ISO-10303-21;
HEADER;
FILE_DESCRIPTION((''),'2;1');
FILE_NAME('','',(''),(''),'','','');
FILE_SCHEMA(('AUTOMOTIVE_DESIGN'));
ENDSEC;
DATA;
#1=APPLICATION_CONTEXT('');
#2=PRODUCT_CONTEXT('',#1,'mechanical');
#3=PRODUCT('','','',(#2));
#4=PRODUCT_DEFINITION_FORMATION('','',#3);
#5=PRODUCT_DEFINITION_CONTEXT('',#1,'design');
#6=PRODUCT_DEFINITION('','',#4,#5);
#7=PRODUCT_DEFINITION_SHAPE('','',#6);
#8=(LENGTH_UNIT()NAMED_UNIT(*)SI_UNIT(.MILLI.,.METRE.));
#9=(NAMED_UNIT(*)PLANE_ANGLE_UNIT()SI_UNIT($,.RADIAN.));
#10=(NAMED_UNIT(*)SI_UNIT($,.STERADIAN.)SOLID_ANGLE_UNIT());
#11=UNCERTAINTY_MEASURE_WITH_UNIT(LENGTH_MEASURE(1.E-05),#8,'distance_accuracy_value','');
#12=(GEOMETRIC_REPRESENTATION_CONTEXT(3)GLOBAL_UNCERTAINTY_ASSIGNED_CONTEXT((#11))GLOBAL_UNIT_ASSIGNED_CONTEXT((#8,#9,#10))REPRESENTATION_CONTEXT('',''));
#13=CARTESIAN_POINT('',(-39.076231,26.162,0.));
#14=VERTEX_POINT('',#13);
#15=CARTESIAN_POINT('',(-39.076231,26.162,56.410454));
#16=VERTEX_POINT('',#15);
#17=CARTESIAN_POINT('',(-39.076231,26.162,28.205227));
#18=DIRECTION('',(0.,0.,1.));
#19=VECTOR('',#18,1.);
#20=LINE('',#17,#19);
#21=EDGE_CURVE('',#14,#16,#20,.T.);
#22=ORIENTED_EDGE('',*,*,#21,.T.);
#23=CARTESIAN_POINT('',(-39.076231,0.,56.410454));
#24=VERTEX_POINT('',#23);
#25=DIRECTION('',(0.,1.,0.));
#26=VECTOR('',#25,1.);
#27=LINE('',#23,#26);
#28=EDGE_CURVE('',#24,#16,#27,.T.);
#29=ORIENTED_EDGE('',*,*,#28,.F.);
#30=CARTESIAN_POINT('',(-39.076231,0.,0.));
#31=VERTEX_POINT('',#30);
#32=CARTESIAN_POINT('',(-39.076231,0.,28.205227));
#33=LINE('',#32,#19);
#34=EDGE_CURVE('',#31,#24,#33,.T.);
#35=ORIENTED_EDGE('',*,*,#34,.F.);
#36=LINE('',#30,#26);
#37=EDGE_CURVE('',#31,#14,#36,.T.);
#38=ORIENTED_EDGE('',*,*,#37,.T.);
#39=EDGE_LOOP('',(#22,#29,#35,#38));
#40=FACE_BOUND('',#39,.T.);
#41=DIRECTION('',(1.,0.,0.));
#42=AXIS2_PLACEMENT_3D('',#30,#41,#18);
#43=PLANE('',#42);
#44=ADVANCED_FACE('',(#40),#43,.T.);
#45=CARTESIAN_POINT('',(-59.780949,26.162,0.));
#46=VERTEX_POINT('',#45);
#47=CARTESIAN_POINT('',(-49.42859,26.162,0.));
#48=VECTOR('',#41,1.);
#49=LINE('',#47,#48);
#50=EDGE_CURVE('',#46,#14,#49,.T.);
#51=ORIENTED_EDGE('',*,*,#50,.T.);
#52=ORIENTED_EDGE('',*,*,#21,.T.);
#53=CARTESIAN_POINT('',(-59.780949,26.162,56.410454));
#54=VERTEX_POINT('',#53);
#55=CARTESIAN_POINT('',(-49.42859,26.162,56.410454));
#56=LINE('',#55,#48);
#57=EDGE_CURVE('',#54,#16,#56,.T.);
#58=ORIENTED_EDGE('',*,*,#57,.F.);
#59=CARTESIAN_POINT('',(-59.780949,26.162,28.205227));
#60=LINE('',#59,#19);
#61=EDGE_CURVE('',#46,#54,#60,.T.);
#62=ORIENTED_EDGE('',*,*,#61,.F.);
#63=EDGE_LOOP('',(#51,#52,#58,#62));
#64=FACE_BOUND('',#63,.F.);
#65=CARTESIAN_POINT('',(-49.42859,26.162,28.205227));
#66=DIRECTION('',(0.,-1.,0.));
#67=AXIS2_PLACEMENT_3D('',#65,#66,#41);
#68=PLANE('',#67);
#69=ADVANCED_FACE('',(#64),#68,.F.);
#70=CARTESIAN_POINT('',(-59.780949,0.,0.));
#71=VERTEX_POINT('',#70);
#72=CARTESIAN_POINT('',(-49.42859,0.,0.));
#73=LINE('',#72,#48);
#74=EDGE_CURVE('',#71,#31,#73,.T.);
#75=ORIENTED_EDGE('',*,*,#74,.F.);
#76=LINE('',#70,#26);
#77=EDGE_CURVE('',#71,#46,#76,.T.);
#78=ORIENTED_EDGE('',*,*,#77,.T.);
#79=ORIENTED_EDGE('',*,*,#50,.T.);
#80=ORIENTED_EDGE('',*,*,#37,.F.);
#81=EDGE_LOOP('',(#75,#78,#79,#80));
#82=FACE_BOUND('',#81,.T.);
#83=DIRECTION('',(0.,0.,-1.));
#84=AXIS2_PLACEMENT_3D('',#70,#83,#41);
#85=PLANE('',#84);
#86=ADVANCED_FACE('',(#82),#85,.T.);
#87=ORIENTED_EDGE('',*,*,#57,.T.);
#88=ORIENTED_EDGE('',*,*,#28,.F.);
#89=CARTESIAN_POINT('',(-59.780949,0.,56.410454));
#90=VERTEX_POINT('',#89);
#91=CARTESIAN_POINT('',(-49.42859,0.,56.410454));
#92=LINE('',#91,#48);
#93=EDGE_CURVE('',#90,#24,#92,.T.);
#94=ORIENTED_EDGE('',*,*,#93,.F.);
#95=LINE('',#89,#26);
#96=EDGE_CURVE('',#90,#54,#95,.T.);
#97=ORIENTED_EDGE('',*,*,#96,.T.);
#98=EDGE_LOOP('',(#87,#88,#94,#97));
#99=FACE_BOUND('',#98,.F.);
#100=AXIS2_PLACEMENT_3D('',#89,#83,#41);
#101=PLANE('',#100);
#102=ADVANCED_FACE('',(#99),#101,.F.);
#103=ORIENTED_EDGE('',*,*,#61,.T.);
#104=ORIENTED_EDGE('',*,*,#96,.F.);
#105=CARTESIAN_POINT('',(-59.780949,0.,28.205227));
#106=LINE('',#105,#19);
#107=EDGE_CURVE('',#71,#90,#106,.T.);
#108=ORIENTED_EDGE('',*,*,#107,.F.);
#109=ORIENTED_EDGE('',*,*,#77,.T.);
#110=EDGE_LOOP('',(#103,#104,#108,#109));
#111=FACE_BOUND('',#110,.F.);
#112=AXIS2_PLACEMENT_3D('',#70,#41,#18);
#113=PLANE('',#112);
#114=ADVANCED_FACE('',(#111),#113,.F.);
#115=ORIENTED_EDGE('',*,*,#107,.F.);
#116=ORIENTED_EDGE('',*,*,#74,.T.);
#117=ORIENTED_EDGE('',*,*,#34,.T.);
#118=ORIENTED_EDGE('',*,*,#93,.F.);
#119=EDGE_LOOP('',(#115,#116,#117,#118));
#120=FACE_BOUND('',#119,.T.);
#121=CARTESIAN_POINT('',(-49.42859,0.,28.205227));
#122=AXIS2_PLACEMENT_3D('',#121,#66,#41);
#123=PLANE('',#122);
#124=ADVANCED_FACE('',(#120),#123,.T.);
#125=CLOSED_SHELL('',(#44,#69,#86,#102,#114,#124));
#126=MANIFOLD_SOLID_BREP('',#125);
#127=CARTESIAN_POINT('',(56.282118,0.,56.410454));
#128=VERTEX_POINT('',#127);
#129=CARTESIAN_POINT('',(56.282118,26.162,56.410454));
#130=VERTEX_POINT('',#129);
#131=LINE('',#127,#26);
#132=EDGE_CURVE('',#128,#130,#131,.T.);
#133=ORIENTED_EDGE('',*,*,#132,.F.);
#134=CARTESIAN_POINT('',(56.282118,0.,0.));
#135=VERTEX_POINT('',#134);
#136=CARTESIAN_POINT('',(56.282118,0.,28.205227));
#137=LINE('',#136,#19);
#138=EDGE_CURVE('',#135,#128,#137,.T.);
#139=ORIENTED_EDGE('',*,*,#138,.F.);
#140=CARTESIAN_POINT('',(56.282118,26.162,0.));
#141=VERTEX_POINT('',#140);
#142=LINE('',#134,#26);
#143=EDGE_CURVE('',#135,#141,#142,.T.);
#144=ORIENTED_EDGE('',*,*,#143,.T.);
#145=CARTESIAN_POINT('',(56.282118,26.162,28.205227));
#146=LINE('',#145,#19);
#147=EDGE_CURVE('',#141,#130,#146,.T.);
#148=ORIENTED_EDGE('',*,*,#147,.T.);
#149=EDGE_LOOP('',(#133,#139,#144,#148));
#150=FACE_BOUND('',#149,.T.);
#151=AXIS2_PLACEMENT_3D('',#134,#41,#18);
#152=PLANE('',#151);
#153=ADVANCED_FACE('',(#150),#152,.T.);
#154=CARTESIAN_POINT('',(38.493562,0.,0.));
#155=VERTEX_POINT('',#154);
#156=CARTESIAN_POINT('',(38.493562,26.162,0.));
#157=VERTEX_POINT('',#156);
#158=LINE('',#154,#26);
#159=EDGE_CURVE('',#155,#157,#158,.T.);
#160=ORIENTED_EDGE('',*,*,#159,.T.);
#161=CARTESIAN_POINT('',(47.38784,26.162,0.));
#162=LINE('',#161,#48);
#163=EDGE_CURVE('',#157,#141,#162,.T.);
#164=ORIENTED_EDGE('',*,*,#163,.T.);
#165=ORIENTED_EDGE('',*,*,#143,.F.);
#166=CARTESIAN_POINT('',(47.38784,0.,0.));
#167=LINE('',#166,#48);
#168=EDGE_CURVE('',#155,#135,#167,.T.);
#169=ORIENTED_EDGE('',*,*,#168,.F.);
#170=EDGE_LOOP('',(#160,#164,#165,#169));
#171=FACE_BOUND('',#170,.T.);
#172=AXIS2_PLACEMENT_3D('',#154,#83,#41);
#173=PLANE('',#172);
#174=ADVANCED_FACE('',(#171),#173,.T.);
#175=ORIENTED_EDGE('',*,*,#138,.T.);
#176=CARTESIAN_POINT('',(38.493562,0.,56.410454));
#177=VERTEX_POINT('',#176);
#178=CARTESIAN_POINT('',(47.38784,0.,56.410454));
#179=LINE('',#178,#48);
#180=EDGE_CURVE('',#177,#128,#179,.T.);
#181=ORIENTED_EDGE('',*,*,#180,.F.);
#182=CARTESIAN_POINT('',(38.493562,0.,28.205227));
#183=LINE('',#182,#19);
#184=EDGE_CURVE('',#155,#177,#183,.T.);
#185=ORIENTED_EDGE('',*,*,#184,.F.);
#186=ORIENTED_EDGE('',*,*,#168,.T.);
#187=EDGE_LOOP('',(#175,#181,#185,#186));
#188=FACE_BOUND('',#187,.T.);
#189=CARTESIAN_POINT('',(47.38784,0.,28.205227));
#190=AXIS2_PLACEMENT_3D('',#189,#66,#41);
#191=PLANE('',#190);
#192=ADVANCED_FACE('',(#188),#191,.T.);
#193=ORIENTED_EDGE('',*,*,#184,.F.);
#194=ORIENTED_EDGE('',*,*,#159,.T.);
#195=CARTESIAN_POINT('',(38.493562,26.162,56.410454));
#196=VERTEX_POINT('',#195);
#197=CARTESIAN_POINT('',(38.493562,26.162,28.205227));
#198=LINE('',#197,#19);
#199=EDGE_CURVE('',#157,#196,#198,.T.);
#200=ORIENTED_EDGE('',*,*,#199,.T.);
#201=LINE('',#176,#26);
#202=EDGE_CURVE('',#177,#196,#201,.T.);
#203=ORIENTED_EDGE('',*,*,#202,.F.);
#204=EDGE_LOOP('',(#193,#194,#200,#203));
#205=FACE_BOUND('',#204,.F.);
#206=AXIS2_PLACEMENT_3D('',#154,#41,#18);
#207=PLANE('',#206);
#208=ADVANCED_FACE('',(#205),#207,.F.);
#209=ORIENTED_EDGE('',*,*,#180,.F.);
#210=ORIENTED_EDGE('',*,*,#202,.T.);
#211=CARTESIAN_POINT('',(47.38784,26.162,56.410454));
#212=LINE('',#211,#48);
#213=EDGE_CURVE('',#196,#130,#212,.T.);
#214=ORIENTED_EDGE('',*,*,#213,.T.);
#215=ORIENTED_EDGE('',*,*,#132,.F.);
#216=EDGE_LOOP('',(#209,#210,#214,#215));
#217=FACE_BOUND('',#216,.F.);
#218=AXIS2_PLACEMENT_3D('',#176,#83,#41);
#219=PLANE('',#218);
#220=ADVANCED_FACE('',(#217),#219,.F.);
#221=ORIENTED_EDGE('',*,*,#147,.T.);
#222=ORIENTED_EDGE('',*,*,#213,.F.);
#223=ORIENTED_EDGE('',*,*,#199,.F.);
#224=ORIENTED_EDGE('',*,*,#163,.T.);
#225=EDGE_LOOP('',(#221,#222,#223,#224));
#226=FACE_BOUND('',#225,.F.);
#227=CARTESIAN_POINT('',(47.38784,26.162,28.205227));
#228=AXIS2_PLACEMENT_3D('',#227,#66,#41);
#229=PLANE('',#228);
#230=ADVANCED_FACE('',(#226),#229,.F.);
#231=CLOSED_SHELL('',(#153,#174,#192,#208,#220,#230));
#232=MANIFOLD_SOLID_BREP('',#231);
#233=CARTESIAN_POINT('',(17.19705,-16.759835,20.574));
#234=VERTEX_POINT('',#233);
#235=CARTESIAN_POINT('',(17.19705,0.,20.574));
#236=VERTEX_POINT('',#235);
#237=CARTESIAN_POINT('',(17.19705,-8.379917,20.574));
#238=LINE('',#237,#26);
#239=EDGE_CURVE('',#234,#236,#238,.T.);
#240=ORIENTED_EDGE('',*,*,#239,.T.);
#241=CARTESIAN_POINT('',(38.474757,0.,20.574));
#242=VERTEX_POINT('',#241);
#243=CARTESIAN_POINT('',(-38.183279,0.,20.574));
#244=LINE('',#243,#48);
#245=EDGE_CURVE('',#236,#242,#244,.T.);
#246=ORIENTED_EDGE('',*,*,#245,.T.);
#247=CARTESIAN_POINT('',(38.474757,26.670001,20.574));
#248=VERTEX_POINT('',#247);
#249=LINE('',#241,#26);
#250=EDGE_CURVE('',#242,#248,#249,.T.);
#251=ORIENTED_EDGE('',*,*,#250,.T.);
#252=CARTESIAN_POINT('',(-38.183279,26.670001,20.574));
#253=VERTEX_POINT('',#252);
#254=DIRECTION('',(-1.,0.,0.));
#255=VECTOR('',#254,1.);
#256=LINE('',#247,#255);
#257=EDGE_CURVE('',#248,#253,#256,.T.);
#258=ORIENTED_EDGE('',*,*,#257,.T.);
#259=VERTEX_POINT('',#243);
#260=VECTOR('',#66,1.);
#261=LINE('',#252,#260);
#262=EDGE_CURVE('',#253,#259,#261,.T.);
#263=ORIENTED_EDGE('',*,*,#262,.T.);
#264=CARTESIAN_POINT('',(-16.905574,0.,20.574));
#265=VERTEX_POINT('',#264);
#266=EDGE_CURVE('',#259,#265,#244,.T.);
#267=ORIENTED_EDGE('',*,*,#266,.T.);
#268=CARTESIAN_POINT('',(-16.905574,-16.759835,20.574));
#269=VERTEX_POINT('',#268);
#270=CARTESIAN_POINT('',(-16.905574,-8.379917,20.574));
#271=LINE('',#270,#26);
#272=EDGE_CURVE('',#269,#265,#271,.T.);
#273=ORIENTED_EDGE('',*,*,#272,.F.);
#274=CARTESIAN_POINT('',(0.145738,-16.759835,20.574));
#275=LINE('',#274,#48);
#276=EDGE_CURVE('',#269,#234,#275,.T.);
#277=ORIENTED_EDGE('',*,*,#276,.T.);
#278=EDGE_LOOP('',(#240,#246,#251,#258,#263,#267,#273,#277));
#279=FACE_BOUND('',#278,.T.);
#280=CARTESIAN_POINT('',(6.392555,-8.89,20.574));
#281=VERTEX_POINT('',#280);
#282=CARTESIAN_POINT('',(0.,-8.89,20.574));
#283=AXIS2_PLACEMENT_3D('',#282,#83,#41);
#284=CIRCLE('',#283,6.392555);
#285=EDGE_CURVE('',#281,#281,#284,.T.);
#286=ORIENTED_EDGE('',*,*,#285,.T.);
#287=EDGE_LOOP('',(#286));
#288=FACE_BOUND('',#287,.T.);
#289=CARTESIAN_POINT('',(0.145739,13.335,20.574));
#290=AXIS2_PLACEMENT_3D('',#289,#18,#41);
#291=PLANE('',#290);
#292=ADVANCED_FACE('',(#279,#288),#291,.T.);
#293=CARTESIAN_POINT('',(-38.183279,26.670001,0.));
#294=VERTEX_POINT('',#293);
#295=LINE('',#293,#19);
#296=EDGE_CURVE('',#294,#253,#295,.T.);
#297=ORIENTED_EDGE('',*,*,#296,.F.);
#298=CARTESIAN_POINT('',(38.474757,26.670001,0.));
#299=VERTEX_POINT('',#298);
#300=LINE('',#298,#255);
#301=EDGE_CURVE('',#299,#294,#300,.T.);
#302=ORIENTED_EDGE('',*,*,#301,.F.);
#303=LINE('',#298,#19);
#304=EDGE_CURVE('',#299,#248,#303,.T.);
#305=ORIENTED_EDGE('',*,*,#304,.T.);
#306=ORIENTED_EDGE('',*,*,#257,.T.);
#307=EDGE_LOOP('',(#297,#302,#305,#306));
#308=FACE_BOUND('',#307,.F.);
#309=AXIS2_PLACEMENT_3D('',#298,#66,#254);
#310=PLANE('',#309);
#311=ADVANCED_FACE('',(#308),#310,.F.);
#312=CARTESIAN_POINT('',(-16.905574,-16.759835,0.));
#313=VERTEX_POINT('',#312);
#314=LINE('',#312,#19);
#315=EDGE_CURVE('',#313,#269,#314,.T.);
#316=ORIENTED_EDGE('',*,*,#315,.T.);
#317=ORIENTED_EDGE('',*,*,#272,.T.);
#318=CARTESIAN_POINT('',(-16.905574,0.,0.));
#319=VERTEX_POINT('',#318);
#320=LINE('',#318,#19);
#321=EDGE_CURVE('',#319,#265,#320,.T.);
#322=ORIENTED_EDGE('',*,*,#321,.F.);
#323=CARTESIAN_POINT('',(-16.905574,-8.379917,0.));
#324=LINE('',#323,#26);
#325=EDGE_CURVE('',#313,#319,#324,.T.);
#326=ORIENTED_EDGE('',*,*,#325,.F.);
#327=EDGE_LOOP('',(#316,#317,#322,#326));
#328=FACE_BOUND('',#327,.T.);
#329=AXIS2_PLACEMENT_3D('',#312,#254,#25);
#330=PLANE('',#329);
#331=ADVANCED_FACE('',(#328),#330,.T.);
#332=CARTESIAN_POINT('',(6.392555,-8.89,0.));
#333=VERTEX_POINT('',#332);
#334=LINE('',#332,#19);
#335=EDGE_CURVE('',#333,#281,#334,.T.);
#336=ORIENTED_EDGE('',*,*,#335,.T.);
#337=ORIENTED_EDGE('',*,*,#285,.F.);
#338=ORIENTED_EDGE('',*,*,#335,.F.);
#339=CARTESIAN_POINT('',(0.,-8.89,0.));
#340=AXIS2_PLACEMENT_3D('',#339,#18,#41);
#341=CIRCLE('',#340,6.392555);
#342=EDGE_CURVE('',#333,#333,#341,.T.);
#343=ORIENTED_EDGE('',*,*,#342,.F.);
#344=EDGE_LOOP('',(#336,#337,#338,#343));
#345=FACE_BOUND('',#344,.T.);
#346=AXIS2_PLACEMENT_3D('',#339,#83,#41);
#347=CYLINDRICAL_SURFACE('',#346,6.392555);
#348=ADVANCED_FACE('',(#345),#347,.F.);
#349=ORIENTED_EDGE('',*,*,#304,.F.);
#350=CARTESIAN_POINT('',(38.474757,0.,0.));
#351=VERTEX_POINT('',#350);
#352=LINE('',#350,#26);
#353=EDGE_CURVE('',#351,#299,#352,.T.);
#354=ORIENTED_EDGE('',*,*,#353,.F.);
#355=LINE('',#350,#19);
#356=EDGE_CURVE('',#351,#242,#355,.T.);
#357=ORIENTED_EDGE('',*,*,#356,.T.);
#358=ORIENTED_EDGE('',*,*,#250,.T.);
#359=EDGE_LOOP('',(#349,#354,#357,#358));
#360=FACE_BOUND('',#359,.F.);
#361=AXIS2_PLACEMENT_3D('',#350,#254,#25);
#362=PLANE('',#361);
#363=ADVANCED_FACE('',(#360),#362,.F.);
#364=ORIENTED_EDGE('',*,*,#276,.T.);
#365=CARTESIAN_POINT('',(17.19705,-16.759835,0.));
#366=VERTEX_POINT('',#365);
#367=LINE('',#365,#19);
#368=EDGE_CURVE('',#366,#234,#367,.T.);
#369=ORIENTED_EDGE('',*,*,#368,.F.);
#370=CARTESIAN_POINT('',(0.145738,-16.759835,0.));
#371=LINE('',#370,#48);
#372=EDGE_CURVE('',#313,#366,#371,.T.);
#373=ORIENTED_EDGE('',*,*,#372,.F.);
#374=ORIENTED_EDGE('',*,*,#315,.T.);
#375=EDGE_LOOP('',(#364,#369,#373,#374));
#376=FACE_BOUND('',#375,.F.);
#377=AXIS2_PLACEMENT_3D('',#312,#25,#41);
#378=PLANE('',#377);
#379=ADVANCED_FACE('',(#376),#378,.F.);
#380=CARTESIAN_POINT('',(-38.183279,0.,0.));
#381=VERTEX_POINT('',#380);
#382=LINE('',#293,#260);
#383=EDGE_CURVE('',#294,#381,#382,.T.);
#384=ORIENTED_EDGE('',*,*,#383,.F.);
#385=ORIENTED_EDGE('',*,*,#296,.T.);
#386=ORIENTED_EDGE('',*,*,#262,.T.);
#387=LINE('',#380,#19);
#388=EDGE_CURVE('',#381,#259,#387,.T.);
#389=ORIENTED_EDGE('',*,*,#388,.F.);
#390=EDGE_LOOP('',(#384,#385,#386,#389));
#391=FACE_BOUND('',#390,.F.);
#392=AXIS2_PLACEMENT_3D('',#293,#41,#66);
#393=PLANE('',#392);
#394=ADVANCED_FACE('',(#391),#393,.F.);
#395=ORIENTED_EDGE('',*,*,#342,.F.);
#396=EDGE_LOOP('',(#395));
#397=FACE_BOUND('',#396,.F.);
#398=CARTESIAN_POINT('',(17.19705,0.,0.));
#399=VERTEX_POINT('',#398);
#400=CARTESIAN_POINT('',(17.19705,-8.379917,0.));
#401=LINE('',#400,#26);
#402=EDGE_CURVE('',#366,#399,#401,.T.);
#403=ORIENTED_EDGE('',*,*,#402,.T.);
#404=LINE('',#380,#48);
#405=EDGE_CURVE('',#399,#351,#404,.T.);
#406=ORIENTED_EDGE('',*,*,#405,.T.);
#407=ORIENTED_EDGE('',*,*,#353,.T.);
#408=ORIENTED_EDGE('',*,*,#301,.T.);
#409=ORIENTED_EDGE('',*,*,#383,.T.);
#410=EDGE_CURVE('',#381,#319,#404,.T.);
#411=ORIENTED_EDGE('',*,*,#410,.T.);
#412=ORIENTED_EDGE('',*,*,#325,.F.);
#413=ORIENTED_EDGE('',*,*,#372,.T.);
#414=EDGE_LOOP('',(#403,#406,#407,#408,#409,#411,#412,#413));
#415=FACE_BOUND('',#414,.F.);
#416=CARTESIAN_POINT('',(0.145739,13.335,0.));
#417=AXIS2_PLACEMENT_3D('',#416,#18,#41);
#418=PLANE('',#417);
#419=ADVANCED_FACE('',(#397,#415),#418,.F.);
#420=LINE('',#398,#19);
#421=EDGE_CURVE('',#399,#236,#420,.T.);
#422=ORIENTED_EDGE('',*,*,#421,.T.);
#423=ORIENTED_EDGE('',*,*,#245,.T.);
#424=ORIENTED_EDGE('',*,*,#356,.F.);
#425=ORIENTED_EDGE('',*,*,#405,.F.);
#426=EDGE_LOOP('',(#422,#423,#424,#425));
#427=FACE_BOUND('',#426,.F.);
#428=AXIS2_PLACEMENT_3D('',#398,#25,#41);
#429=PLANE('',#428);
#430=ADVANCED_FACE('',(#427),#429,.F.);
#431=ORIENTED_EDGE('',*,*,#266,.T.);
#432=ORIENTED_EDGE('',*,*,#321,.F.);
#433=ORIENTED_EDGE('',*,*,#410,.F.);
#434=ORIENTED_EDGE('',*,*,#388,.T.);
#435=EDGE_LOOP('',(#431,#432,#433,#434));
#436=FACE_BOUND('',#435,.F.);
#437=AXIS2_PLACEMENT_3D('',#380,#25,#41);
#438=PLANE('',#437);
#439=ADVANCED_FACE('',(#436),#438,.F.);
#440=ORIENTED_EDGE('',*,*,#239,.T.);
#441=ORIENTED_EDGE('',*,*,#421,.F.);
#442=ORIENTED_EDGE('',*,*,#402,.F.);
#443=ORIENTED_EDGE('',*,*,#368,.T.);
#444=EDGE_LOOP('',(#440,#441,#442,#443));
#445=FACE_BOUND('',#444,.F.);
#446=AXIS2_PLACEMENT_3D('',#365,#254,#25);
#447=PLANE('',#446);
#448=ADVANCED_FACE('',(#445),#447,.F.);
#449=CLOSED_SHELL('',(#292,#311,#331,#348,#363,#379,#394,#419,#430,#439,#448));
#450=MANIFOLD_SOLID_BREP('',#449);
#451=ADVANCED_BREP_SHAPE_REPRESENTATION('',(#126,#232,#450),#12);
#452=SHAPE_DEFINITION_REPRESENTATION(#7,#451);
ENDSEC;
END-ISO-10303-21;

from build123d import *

# Parameters (mm, degrees)
F0_W     = 34.102624
F0_H     = 16.759835
F1_DEPTH = 20.574
F2_W     = 20.704717
F2_H     = 56.410454
F2_W_2   = 17.788556
F3_DEPTH = 26.162
F4_R     = 6.392555
F5_DEPTH = 70.358


with BuildPart() as f1:
    # F0 (on Top) → F1 (new body)
    with BuildSketch(Plane.XY):
        Polygon((-38.183279, 0), (-16.905574, 0), (17.19705, 0), (38.474757, 0), (38.474757, 26.670001), (-38.183279, 26.670001), align=None)
        with Locations((0.145738, -8.379917)):
            Rectangle(F0_W, F0_H)
    extrude(amount=F1_DEPTH)

    # F4 (on Top) → F5 (cut)
    with BuildSketch(Plane.XY):
        with Locations((0, -8.89)):
            Circle(F4_R)
    extrude(amount=F5_DEPTH, mode=Mode.SUBTRACT)


with BuildPart() as f3:
    # F2 (on Front) → F3 (new body)
    with BuildSketch(Plane.XZ):
        with Locations((-49.42859, 28.205227)):
            Rectangle(F2_W, F2_H)
        with Locations((47.38784, 28.205227)):
            Rectangle(F2_W_2, F2_H)
    extrude(amount=-F3_DEPTH)


solid = Compound([f1.part, f3.part])
